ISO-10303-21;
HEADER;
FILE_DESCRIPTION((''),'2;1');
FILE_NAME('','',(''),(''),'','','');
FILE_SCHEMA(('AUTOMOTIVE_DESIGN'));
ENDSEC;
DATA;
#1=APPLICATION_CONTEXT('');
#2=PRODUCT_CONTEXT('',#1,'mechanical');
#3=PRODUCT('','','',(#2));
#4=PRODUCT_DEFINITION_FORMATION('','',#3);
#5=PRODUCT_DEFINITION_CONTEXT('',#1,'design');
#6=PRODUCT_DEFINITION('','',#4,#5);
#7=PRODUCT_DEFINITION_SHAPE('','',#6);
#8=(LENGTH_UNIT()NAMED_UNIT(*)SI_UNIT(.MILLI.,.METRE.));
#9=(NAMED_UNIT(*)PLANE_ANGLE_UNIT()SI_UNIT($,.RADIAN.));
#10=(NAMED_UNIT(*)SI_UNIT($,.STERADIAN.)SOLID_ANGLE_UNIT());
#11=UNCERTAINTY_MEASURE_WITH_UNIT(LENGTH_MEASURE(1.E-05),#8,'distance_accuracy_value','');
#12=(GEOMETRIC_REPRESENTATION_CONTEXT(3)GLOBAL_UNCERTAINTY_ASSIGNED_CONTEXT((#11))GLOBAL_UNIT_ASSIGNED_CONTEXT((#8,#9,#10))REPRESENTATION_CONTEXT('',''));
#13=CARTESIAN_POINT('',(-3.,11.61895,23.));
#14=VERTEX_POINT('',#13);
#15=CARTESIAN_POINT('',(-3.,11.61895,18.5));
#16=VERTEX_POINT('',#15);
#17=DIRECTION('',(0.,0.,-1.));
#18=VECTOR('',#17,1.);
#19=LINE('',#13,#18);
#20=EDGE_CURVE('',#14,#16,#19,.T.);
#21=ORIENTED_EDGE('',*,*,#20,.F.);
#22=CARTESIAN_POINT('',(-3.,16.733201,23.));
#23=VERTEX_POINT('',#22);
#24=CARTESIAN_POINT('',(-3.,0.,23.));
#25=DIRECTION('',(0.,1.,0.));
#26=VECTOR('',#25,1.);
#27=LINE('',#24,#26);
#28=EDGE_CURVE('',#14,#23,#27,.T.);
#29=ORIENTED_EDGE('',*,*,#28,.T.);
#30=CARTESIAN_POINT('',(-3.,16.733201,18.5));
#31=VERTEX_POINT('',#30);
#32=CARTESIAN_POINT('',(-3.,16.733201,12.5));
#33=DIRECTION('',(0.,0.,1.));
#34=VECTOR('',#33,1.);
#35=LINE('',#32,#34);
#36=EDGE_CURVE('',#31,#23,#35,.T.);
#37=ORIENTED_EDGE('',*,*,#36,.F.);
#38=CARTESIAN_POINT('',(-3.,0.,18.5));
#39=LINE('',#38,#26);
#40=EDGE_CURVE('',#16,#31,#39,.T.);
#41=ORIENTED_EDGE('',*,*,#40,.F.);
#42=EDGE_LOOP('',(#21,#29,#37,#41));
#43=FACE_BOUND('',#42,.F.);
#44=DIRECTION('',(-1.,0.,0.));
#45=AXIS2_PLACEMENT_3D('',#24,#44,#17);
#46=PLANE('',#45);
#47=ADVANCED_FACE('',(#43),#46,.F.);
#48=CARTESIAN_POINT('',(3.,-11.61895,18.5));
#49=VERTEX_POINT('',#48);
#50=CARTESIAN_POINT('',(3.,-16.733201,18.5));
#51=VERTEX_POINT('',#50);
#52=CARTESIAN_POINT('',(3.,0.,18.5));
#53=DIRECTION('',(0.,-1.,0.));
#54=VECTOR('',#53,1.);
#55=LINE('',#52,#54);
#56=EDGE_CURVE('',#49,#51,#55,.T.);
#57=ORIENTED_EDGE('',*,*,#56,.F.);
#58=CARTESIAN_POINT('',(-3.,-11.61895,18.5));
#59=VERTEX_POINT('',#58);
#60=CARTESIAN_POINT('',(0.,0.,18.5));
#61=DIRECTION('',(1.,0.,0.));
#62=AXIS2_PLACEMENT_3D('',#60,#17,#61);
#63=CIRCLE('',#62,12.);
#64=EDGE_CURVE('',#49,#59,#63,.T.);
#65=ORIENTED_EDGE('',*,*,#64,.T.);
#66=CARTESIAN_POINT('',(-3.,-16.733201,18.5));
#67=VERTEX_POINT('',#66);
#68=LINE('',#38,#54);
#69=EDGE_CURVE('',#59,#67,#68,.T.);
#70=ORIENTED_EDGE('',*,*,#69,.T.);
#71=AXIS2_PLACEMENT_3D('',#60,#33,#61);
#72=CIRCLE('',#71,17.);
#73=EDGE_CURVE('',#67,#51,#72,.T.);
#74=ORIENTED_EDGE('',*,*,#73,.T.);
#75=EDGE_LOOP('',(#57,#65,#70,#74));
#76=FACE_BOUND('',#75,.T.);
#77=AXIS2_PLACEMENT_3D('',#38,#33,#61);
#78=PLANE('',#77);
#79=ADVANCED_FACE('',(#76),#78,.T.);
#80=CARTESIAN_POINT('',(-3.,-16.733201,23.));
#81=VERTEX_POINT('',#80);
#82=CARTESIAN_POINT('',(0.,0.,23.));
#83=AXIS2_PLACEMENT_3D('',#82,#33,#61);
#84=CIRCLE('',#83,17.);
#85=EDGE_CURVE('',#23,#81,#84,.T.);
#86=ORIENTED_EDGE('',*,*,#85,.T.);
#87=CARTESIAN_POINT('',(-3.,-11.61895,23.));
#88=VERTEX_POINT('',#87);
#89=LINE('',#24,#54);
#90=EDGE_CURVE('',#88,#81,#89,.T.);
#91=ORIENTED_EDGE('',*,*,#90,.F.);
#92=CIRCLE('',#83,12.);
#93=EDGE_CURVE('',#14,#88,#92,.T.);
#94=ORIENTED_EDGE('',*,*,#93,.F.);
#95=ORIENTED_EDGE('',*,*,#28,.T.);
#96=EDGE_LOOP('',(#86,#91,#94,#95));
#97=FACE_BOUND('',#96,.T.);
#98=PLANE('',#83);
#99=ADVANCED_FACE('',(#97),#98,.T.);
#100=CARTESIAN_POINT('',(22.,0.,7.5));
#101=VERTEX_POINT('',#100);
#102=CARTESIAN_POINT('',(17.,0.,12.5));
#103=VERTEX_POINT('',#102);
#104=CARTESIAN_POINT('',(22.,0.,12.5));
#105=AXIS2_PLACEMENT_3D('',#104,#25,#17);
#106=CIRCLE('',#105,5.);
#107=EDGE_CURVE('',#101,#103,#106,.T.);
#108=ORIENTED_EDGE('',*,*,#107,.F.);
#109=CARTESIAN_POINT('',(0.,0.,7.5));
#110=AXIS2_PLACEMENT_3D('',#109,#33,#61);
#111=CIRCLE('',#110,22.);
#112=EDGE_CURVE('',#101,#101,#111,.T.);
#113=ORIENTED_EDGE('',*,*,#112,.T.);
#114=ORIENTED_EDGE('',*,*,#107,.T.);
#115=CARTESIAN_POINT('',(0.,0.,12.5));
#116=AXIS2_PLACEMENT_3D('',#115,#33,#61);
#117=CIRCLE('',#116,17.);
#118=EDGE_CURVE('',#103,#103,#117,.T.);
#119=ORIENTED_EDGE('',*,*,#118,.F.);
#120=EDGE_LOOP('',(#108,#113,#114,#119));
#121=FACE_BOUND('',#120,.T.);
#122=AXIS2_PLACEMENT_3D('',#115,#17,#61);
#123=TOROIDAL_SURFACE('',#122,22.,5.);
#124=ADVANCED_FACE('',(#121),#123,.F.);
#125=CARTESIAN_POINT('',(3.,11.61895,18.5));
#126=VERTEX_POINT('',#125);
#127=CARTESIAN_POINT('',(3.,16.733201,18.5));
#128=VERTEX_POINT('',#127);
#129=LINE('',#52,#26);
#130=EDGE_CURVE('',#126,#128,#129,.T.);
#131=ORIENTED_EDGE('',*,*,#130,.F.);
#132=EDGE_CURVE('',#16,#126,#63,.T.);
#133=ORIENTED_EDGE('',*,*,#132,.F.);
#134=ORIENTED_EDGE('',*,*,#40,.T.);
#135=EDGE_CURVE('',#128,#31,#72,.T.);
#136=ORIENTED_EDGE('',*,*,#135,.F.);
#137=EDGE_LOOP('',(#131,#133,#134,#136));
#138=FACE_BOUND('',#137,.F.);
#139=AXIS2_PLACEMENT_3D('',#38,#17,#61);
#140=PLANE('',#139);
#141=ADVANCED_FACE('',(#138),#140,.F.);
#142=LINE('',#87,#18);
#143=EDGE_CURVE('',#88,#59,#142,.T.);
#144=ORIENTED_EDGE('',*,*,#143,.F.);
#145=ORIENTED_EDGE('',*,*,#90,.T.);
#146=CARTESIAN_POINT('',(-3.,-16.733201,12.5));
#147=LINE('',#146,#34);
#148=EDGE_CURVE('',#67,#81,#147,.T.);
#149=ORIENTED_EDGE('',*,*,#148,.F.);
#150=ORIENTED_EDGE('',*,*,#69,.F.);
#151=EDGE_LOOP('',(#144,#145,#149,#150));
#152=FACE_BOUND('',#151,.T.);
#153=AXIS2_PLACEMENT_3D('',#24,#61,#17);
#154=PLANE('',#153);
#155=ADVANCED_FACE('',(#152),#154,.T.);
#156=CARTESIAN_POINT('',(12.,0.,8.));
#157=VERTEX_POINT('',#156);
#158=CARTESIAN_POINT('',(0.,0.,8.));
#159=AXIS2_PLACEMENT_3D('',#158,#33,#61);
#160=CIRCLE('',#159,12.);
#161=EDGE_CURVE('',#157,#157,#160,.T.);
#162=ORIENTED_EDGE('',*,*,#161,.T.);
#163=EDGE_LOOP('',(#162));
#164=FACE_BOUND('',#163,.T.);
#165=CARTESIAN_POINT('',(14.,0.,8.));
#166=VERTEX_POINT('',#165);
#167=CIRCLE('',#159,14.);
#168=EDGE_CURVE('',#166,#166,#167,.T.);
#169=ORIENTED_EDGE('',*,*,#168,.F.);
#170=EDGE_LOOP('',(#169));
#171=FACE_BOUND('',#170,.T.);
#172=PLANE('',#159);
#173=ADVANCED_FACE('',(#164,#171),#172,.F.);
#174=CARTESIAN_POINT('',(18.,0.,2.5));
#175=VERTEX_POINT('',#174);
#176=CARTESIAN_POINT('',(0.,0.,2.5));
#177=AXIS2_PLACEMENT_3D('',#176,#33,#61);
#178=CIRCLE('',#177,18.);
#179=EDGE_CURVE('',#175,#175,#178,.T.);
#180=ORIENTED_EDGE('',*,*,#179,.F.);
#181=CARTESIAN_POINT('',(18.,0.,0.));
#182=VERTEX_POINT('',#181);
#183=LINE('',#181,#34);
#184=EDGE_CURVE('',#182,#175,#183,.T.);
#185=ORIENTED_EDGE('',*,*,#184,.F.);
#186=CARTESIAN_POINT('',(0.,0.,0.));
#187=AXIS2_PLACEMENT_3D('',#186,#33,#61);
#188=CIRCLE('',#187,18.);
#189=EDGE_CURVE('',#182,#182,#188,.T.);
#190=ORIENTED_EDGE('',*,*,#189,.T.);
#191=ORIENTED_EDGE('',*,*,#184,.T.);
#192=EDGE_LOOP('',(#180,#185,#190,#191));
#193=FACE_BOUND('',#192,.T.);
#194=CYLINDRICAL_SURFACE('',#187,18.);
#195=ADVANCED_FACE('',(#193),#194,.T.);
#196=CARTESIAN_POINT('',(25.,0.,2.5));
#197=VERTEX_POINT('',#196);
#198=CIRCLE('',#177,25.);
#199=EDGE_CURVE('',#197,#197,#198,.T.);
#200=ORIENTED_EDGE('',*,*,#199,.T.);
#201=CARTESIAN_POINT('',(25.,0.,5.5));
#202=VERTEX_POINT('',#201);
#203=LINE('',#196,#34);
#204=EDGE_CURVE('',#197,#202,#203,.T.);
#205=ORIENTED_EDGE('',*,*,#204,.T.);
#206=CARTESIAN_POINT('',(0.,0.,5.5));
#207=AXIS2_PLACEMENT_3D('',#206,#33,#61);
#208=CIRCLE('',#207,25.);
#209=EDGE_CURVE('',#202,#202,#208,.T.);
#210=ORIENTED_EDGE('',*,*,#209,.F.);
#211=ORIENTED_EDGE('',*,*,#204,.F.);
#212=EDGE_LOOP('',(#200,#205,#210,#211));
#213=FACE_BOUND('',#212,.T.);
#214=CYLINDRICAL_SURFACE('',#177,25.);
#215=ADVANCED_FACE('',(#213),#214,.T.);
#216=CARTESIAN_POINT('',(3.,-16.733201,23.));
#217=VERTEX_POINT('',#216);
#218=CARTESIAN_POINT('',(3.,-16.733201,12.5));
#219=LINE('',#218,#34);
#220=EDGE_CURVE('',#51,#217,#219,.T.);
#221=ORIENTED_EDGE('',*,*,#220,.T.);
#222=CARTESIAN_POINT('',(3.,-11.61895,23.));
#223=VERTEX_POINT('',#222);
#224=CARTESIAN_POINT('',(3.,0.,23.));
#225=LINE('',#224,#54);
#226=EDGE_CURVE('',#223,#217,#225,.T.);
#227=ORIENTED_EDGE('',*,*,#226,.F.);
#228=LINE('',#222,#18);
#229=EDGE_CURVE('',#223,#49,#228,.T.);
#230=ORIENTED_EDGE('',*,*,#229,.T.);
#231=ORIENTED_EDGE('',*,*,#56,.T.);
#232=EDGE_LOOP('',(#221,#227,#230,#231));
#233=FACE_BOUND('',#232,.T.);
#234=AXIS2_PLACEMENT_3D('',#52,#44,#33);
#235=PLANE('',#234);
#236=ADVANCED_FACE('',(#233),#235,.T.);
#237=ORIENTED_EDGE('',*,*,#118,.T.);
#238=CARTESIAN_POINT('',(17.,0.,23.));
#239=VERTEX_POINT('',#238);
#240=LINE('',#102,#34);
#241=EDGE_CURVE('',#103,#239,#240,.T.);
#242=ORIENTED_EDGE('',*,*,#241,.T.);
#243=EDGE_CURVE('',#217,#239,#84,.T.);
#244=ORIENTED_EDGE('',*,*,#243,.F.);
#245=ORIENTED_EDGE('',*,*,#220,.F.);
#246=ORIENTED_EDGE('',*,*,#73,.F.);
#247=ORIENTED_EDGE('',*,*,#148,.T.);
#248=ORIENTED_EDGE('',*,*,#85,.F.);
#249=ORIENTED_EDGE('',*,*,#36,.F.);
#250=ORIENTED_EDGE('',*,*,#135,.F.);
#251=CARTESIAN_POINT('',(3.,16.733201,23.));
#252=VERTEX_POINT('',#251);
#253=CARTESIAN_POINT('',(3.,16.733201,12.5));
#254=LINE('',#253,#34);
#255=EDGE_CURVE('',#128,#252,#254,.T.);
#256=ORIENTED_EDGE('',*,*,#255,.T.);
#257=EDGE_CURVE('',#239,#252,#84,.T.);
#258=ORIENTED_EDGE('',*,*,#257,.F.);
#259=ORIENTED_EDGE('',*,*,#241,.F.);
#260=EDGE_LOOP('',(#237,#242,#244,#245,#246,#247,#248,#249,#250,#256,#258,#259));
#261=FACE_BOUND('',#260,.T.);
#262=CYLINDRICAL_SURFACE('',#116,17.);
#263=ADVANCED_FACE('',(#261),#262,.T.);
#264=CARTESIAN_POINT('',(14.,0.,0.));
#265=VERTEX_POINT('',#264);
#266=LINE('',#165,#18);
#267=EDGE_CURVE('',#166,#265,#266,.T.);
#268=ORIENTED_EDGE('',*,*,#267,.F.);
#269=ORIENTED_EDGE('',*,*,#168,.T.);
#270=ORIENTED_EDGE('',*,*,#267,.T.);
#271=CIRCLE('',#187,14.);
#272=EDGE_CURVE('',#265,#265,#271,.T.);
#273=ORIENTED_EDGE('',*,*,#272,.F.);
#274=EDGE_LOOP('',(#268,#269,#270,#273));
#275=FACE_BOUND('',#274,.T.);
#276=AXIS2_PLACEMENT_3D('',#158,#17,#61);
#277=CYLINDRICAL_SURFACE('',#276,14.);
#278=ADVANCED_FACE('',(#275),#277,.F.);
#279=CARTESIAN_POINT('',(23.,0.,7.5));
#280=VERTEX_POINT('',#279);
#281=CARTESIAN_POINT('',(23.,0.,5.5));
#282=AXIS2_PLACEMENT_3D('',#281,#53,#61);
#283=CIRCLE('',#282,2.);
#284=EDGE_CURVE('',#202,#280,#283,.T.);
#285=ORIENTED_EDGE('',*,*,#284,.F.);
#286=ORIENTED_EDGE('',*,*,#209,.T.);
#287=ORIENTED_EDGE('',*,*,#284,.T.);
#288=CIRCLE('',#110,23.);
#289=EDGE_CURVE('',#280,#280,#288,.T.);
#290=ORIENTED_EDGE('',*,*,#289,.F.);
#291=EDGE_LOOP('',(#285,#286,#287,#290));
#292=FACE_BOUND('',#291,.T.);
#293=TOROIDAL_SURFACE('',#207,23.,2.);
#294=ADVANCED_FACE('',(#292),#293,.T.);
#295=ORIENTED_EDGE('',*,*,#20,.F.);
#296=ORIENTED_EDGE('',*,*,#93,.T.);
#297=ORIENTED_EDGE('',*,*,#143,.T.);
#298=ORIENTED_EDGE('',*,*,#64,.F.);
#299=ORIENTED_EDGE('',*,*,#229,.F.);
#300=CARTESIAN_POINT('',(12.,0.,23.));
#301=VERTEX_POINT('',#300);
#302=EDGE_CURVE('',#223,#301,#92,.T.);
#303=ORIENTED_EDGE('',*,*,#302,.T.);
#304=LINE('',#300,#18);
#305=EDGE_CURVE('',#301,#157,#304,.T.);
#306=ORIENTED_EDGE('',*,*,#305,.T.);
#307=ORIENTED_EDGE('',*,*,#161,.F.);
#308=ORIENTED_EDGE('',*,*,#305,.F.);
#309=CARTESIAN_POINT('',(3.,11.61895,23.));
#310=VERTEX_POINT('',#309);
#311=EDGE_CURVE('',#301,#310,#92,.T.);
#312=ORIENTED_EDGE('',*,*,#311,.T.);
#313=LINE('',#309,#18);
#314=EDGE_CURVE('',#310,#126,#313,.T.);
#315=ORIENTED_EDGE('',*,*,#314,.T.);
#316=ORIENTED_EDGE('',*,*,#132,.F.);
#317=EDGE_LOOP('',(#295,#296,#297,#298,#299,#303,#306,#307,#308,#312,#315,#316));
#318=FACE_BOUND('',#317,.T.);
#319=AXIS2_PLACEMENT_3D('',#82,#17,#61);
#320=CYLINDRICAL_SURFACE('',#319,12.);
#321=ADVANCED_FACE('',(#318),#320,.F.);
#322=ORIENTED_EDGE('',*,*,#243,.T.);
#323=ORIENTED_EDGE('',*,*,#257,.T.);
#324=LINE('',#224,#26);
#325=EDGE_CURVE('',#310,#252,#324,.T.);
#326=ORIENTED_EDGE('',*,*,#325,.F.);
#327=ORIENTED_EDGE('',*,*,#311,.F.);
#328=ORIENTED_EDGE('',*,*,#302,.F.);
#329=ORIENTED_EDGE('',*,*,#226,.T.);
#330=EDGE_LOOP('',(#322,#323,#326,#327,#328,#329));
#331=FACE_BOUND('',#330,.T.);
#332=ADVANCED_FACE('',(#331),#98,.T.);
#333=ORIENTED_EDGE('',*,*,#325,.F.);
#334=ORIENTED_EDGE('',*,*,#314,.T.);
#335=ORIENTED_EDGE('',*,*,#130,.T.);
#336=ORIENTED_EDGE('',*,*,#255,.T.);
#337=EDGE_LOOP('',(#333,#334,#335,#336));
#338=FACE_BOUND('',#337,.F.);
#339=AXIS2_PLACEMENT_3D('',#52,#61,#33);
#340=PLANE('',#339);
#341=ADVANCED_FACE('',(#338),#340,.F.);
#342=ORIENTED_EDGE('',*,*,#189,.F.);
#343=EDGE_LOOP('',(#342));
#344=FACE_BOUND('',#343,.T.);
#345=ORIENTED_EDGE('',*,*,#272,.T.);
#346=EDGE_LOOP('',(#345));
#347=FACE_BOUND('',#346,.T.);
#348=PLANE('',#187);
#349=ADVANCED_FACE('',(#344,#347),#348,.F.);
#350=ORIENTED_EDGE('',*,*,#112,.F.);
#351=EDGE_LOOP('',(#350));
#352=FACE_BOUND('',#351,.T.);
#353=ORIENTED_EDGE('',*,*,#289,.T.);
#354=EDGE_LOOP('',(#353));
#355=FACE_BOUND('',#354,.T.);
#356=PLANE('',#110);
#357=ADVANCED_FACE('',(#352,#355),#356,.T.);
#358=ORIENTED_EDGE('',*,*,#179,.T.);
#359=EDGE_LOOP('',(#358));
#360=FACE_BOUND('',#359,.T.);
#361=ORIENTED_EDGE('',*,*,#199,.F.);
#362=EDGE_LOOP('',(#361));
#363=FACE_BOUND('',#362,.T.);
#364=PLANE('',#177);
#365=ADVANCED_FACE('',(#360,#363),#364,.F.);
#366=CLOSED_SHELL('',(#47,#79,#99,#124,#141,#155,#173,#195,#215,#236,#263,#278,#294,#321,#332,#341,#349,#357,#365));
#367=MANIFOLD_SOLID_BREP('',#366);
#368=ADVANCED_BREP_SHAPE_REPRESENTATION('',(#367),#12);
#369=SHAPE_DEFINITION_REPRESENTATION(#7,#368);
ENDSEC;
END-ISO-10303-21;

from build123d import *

# Parameters (mm, degrees)
F2_DEPTH      = 25.0010001
F2_DEPTH_BACK = 25.001


with BuildPart() as f1:
    # F0 (on Front) → F1 (revolve)
    with BuildSketch(Plane.XZ):
        with BuildLine():
            Line((14, 8), (14, 0))
            Line((14, 0), (18, 0))
            Line((18, 0), (18, 2.5))
            Line((18, 2.5), (25, 2.5))
            Line((25, 2.5), (25, 5.5))
            ThreePointArc((25, 5.5), (24.4142135624, 6.9142135624), (23, 7.5))
            Line((23, 7.5), (22, 7.5))
            ThreePointArc((22, 7.5), (18.4644660941, 8.9644660941), (17, 12.5))
            Line((17, 12.5), (17, 23))
            Line((17, 23), (12, 23))
            Line((12, 23), (12, 8))
            Line((12, 8), (14, 8))
        make_face()
    revolve(axis=Axis((0, 0, 19.0387922476), (0, 0, 1)))

    # F0 (on Front) → F2 (cut, two sides)
    with BuildSketch(Plane.XZ) as f2_sk:
        Polygon((3, 23), (0, 23), (-3, 23), (-3, 18.5), (3, 18.5), align=None)
    extrude(amount=-F2_DEPTH, mode=Mode.SUBTRACT)
    extrude(f2_sk.sketch, amount=F2_DEPTH_BACK, mode=Mode.SUBTRACT)


solid = f1.part
